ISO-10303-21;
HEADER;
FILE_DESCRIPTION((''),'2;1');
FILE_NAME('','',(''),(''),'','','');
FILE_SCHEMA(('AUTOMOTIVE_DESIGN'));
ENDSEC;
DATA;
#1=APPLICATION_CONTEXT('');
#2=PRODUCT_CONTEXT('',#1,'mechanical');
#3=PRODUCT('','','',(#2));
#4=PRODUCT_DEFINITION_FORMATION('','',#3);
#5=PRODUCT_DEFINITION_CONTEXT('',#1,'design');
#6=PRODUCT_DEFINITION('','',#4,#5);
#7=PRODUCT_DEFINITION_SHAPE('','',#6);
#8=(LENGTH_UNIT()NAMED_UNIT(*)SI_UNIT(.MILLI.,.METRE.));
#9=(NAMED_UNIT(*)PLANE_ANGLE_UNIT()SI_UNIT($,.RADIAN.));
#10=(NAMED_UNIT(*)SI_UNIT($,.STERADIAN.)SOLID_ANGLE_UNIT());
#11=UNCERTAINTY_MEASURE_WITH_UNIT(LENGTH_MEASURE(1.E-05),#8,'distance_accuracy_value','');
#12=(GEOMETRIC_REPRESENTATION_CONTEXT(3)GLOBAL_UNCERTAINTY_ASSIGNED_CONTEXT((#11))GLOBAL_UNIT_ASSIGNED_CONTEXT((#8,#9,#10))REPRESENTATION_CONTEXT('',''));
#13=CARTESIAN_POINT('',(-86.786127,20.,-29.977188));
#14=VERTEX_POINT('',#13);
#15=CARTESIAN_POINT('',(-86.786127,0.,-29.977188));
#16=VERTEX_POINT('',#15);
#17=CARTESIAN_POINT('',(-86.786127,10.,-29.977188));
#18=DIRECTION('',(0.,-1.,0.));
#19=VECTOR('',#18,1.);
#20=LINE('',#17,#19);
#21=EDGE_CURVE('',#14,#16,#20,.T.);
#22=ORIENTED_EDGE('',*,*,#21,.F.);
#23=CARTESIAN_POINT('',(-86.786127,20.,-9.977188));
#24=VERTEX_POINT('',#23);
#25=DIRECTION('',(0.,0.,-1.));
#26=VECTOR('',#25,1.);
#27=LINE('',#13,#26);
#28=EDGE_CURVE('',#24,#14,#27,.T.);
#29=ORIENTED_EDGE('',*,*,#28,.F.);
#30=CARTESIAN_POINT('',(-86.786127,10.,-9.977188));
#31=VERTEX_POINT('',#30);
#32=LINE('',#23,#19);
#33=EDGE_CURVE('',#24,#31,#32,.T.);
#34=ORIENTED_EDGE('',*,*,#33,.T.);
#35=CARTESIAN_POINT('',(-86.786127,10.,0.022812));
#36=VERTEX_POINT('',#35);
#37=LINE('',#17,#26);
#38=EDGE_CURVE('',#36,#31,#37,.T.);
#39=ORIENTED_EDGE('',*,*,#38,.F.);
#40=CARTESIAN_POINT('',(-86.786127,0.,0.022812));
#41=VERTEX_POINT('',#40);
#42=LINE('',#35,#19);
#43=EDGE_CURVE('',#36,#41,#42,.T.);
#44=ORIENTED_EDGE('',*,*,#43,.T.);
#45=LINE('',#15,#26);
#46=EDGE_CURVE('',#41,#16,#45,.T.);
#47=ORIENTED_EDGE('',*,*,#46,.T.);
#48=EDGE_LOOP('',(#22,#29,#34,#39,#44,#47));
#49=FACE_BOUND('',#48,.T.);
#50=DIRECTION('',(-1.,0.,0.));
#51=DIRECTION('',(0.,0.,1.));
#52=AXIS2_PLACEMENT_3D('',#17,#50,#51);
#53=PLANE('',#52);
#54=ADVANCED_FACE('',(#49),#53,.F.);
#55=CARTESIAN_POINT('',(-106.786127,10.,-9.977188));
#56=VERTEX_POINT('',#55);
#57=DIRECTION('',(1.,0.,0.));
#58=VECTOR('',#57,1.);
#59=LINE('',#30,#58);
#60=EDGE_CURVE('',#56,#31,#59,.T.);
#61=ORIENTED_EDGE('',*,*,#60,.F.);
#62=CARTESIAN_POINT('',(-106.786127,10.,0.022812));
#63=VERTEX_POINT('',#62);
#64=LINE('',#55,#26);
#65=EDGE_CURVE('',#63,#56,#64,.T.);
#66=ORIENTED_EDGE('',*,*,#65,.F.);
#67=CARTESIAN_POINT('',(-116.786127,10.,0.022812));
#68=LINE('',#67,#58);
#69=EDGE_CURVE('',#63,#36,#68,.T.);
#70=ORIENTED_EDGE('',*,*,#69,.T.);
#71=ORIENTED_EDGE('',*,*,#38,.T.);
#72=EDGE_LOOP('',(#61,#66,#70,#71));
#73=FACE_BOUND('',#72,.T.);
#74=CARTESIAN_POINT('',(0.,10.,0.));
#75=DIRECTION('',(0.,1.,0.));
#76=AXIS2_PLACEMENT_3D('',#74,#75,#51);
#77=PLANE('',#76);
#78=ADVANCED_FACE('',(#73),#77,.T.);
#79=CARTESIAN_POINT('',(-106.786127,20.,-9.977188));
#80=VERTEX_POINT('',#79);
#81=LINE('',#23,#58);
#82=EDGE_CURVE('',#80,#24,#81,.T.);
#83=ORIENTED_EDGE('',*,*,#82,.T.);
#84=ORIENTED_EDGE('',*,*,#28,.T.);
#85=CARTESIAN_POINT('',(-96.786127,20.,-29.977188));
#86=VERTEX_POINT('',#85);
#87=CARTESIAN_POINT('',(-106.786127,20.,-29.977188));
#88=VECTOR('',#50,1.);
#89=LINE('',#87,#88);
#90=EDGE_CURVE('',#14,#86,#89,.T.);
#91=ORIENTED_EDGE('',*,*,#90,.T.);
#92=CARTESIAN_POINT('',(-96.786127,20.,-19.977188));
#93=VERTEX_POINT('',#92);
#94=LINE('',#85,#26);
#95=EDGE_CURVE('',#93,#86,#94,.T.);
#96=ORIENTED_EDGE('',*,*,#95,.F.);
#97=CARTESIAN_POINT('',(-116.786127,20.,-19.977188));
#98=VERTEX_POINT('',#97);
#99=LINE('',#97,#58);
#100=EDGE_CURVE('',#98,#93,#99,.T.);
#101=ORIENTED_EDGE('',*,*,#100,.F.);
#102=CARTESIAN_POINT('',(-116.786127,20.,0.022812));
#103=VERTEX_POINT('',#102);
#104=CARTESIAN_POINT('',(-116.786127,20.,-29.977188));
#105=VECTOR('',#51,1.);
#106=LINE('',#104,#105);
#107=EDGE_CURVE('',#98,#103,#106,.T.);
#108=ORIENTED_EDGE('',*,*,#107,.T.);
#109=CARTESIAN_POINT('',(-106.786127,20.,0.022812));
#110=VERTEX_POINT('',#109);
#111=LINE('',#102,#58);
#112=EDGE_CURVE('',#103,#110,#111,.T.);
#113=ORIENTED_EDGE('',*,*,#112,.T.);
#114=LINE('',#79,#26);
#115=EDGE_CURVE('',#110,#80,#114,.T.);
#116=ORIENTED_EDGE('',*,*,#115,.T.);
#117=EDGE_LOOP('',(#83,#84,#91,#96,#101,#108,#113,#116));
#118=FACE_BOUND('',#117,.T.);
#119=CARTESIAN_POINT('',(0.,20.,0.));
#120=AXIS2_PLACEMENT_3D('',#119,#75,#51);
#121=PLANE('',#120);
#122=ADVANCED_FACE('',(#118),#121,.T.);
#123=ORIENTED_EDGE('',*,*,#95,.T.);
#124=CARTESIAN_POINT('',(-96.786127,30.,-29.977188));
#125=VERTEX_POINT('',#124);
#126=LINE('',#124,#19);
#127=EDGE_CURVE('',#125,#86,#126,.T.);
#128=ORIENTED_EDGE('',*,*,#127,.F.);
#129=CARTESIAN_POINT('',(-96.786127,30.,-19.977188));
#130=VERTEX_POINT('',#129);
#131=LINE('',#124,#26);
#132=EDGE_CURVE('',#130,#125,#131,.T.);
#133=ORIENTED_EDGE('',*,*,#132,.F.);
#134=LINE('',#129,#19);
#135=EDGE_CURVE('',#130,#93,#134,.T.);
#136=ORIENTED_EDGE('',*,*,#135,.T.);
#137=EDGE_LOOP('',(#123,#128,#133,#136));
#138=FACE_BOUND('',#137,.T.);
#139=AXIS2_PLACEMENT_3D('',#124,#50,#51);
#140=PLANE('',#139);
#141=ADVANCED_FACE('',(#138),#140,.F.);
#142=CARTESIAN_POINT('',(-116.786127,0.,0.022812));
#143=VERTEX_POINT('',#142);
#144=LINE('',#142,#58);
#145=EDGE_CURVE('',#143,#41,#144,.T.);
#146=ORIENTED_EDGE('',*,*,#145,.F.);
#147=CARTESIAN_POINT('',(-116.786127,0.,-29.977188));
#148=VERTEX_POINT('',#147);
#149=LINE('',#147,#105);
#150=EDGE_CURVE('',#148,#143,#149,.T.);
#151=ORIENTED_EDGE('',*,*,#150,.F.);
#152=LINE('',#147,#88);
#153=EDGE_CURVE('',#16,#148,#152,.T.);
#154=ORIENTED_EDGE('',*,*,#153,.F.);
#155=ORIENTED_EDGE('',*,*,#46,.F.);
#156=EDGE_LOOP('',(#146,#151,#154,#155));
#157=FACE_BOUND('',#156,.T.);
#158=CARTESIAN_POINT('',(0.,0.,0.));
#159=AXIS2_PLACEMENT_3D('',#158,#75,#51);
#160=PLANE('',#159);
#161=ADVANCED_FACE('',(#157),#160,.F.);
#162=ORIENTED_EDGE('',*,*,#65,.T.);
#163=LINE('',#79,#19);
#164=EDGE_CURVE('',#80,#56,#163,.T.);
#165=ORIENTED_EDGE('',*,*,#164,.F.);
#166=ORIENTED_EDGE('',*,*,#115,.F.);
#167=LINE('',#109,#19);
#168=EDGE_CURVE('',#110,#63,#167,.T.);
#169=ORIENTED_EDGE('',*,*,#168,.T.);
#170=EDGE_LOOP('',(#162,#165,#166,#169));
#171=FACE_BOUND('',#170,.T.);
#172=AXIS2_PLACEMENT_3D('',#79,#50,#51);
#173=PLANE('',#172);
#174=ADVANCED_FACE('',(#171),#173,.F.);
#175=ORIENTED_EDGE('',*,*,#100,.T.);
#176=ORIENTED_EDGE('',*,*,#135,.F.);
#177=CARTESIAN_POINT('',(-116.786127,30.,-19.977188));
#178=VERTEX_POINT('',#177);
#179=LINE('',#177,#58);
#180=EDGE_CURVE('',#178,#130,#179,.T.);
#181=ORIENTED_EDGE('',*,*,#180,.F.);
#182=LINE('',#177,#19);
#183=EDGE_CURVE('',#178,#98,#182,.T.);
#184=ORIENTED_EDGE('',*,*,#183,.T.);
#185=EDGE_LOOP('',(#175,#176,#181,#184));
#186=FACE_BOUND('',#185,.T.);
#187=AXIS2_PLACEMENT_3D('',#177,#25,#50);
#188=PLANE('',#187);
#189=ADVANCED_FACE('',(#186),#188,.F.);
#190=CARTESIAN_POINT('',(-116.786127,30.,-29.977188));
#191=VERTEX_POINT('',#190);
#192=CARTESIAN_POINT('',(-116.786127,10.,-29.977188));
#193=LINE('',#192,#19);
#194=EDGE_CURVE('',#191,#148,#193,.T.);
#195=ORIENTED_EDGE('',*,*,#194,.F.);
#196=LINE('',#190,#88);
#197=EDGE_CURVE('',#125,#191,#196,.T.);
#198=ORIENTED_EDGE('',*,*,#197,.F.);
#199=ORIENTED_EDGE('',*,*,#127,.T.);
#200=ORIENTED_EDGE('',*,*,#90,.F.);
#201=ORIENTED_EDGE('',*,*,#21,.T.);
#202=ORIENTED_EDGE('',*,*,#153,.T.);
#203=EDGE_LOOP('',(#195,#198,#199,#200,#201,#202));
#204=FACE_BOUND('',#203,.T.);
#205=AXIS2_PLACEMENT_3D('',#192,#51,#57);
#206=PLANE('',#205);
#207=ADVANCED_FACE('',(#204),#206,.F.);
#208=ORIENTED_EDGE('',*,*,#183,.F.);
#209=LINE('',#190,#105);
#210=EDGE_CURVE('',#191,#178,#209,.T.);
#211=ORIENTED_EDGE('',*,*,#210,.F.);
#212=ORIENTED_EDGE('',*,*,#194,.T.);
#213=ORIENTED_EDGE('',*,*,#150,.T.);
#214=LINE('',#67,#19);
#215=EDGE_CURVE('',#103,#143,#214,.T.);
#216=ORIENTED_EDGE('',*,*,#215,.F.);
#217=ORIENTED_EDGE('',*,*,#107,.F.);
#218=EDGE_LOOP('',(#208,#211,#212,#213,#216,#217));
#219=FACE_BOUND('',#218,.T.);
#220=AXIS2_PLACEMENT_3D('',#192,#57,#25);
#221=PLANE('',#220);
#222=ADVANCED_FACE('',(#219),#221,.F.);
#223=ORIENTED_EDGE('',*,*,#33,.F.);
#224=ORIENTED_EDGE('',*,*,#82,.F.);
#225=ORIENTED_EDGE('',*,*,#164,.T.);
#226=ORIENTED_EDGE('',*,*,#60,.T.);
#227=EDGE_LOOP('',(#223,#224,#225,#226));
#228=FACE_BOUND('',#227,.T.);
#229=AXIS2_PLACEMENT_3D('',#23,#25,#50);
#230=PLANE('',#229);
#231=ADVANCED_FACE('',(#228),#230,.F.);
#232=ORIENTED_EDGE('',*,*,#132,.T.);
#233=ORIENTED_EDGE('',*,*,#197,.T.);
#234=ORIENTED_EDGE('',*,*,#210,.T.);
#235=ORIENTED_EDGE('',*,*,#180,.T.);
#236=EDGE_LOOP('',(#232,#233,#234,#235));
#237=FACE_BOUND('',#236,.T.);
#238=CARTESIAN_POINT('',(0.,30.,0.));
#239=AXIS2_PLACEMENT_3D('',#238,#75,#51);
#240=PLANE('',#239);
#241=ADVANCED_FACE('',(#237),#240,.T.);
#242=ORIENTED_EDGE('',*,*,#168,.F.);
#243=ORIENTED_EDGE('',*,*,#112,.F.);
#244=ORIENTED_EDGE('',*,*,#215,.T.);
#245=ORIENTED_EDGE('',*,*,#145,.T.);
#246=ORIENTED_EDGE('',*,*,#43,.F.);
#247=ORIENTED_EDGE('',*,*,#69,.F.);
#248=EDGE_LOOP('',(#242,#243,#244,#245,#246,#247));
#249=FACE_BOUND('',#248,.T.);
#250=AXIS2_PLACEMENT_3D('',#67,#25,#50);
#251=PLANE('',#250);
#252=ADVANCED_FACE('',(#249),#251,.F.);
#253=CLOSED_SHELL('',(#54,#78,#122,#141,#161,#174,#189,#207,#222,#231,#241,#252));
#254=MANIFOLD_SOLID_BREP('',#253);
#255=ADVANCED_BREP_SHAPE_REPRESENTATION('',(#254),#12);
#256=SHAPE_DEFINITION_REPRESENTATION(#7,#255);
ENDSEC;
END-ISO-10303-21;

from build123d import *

# Parameters (mm, degrees)
CROQUIS1_W              = 30
CROQUIS1_H              = 30
SALIENTE_EXTRUIR1_DEPTH = 10
SALIENTE_EXTRUIR2_DEPTH = 10
CROQUIS5_W              = 20
CROQUIS5_H              = 10
SALIENTE_EXTRUIR3_DEPTH = 10


with BuildPart() as part:
    # Croquis1 → Saliente-Extruir1 (new body)
    with BuildSketch(Plane(origin=(0, 0, 0), x_dir=(1, 0, 0), z_dir=(0, 1, 0))):
        with Locations((-101.786127258, 14.977187745)):
            Rectangle(CROQUIS1_W, CROQUIS1_H)
    extrude(amount=SALIENTE_EXTRUIR1_DEPTH)

    # Croquis3 → Saliente-Extruir2 (add)
    with BuildSketch(Plane(origin=(0, 10, 0), x_dir=(1, 0, 0), z_dir=(0, 1, 0))):
        Polygon((-116.786127258, 29.977187745), (-106.786127258, 29.977187745), (-86.786127258, 29.977187745), (-86.786127258, 9.977187745), (-106.786127258, 9.977187745), (-106.786127258, -0.022812255), (-116.786127258, -0.022812255), align=None)
    extrude(amount=SALIENTE_EXTRUIR2_DEPTH)

    # Croquis5 → Saliente-Extruir3 (add)
    with BuildSketch(Plane(origin=(0, 20, 0), x_dir=(1, 0, 0), z_dir=(0, 1, 0))):
        with Locations((-106.786127258, 24.977187745)):
            Rectangle(CROQUIS5_W, CROQUIS5_H)
    extrude(amount=SALIENTE_EXTRUIR3_DEPTH)


solid = part.part
